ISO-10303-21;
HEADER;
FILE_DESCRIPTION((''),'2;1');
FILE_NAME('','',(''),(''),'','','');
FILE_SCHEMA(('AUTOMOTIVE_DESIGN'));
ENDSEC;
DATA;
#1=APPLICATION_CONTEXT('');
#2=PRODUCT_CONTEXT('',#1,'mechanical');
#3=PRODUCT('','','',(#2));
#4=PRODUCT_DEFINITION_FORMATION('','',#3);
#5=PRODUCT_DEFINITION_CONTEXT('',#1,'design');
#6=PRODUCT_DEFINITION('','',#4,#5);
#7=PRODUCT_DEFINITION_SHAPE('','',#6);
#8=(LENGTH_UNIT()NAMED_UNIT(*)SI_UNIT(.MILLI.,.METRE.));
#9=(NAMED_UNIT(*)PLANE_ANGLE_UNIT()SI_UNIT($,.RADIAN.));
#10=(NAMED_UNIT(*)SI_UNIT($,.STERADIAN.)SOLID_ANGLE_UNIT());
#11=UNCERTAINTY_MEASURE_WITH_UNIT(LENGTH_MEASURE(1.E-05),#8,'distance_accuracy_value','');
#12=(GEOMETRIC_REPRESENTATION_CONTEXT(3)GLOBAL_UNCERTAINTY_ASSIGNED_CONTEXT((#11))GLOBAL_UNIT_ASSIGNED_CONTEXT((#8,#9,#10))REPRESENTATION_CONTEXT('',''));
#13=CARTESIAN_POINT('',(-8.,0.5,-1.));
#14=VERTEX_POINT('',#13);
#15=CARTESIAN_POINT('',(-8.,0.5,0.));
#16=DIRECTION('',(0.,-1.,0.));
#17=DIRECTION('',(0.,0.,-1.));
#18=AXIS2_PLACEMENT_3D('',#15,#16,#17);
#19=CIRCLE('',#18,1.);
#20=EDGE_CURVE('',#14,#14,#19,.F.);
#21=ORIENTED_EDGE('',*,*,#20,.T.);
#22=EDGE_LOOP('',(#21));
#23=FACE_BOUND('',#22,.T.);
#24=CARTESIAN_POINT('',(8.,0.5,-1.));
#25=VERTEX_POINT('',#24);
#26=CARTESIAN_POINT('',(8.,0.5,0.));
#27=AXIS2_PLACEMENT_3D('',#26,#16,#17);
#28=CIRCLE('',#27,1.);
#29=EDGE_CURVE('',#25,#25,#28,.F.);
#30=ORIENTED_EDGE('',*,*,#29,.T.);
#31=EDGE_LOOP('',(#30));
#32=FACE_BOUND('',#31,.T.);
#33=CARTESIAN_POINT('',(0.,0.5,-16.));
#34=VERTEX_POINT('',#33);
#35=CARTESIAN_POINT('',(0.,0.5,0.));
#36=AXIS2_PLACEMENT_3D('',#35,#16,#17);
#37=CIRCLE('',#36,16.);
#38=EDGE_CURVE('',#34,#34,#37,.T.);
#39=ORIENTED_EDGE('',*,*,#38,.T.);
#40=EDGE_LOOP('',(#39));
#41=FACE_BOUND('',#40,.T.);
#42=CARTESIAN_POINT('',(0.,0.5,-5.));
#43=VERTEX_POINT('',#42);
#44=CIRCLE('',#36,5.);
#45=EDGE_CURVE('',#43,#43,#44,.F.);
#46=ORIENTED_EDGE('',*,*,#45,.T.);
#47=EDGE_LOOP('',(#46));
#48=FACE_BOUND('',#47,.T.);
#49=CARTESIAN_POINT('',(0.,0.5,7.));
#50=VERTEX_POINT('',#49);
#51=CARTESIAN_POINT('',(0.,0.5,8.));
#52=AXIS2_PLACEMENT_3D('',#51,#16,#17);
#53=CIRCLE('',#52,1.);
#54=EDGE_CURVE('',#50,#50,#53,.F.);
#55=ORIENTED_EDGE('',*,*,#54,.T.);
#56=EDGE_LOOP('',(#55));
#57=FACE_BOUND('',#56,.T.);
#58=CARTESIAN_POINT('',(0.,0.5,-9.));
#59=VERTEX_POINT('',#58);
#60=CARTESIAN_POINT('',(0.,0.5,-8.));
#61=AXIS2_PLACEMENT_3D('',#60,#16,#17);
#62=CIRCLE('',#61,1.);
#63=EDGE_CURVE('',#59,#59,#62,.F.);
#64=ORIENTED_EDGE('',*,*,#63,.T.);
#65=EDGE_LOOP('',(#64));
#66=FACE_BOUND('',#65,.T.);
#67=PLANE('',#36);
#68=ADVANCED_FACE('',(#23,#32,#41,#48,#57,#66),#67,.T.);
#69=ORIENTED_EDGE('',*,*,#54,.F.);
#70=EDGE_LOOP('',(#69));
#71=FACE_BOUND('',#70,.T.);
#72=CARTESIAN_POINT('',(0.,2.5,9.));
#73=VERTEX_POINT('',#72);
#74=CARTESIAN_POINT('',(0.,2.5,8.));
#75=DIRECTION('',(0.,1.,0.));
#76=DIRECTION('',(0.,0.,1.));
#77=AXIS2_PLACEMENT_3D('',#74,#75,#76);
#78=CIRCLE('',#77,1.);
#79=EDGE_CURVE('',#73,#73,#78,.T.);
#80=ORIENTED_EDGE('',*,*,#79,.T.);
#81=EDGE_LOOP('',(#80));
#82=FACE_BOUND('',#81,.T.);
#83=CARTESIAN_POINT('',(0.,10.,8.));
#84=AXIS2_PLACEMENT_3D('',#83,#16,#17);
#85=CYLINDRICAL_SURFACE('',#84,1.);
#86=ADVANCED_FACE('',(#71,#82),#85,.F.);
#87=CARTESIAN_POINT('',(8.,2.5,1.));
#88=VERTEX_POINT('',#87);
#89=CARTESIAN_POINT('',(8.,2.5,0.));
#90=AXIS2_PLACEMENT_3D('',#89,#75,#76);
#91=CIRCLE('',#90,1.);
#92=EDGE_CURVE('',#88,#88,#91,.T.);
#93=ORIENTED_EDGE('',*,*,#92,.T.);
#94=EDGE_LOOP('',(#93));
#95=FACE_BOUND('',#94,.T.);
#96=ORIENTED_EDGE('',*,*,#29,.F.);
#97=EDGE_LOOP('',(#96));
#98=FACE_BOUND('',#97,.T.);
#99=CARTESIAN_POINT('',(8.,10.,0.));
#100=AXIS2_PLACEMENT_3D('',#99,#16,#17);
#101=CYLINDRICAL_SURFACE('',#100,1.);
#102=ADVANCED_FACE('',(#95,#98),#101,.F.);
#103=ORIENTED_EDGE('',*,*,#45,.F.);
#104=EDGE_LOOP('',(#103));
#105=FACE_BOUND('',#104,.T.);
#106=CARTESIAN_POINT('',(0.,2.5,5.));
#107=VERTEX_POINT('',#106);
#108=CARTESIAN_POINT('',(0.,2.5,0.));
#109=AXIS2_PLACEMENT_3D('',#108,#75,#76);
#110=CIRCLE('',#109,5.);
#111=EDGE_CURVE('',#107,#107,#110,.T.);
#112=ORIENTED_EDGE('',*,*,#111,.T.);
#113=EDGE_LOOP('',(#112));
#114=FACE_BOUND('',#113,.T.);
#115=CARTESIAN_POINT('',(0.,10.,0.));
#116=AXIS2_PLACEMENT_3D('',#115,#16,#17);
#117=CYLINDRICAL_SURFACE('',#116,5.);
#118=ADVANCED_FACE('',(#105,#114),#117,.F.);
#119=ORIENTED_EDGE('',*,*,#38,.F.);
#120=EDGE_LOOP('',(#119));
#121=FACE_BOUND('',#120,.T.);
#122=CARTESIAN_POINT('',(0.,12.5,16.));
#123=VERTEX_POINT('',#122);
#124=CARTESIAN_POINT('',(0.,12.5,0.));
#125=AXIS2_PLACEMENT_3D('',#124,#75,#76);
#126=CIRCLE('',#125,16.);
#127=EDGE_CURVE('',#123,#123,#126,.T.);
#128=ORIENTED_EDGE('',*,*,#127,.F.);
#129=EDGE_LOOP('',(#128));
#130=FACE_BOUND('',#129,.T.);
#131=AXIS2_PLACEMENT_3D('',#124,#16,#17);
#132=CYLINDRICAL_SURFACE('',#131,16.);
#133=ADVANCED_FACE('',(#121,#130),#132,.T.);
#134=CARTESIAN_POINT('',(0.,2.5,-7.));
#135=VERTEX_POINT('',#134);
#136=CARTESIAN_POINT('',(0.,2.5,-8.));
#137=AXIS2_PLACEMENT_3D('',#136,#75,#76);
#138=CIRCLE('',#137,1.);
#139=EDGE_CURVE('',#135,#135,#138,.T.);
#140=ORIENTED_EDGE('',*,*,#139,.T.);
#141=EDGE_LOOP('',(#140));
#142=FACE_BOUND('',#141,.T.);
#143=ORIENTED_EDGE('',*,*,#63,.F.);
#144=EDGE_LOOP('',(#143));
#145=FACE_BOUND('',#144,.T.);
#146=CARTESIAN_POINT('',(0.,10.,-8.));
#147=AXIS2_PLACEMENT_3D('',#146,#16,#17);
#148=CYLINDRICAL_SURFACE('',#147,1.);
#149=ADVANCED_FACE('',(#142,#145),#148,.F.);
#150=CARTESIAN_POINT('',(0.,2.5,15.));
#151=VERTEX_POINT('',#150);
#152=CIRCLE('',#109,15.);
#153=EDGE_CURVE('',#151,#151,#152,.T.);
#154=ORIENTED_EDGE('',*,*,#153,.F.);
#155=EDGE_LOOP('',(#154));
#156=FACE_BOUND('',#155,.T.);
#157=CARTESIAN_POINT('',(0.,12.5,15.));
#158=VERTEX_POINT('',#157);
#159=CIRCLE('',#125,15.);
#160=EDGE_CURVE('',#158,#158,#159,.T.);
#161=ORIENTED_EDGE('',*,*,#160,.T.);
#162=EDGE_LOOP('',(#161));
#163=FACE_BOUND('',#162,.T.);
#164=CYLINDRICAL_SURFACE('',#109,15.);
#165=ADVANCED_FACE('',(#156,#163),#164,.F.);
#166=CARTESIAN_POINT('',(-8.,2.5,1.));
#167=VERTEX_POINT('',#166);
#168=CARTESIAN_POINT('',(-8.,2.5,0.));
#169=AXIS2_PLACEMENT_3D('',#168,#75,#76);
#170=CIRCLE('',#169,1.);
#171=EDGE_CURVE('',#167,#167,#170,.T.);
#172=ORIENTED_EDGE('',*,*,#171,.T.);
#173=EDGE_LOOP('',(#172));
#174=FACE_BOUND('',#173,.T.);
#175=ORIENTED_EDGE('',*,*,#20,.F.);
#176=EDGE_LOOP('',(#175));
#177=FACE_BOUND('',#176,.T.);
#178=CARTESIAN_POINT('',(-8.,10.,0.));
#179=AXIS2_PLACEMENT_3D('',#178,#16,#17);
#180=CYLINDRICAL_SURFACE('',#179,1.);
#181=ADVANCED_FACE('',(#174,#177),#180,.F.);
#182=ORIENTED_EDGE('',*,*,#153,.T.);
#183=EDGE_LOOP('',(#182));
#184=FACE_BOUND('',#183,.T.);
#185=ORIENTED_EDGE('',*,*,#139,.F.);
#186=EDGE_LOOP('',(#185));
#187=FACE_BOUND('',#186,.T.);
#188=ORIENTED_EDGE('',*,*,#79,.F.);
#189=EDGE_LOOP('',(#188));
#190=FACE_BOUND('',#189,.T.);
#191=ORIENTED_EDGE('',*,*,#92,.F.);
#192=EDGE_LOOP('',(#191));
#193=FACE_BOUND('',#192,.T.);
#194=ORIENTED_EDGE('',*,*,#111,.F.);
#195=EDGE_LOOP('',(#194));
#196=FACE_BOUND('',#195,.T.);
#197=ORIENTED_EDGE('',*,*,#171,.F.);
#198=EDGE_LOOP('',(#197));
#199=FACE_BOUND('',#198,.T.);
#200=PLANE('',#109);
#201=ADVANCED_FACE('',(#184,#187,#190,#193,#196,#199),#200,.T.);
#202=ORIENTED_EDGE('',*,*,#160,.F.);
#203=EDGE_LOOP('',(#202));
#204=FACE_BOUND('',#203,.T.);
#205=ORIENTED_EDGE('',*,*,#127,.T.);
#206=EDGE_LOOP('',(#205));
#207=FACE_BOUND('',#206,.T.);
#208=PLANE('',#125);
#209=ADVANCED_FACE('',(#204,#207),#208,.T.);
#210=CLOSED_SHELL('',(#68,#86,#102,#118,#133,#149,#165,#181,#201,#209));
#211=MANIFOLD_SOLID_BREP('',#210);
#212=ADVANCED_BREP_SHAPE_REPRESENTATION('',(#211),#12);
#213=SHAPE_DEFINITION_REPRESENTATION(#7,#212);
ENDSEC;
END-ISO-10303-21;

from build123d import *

# Parameters (mm, degrees)
SKETCH1_R           = 16
BOSS_EXTRUDE1_DEPTH = 12.5
SKETCH2_R           = 15
CUT_EXTRUDE1_DEPTH  = 10
SKETCH3_R           = 5
CUT_EXTRUDE2_DEPTH  = 10
SKETCH4_R           = 1
CUT_EXTRUDE3_DEPTH  = 10
SKETCH5_R           = 16
CUT_EXTRUDE4_DEPTH  = 0.5


with BuildPart() as part:
    # Sketch1 → Boss-Extrude1 (new body)
    with BuildSketch(Plane(origin=(0, 0, 0), x_dir=(1, 0, 0), z_dir=(0, 1, 0))):
        with Locations(Location((0, 0, 0), (0, 0, 270))):
            Circle(SKETCH1_R)
    extrude(amount=BOSS_EXTRUDE1_DEPTH)

    # Sketch2 → Cut-Extrude1 (cut)
    with BuildSketch(Plane(origin=(0, 12.5, 0), x_dir=(1, 0, 0), z_dir=(0, 1, 0))):
        with Locations(Location((0, 0, 0), (0, 0, 270))):
            Circle(SKETCH2_R)
    extrude(amount=-CUT_EXTRUDE1_DEPTH, mode=Mode.SUBTRACT)

    # Sketch3 → Cut-Extrude2 (cut)
    with BuildSketch(Plane(origin=(0, 0, 0), x_dir=(-1, 0, 0), z_dir=(0, -1, 0))):
        with Locations(Location((0, 0, 0), (0, 0, 90))):
            Circle(SKETCH3_R)
    extrude(amount=-CUT_EXTRUDE2_DEPTH, mode=Mode.SUBTRACT)

    # Sketch4 → Cut-Extrude3 (cut)
    with BuildSketch(Plane(origin=(0, 0, 0), x_dir=(-1, 0, 0), z_dir=(0, -1, 0))):
        with Locations(Location((0, 8, 0), (0, 0, 90))):
            Circle(SKETCH4_R)
        with Locations(Location((0, -8, 0), (0, 0, 90))):
            Circle(SKETCH4_R)
        with Locations(Location((-8, 0, 0), (0, 0, 90))):
            Circle(SKETCH4_R)
        with Locations(Location((8, 0, 0), (0, 0, 90))):
            Circle(SKETCH4_R)
    extrude(amount=-CUT_EXTRUDE3_DEPTH, mode=Mode.SUBTRACT)

    # Sketch5 → Cut-Extrude4 (cut)
    with BuildSketch(Plane.XZ):
        with Locations(Location((0, 0, 0), (0, 0, 270))):
            Circle(SKETCH5_R)
    extrude(amount=-CUT_EXTRUDE4_DEPTH, mode=Mode.SUBTRACT)


solid = part.part
